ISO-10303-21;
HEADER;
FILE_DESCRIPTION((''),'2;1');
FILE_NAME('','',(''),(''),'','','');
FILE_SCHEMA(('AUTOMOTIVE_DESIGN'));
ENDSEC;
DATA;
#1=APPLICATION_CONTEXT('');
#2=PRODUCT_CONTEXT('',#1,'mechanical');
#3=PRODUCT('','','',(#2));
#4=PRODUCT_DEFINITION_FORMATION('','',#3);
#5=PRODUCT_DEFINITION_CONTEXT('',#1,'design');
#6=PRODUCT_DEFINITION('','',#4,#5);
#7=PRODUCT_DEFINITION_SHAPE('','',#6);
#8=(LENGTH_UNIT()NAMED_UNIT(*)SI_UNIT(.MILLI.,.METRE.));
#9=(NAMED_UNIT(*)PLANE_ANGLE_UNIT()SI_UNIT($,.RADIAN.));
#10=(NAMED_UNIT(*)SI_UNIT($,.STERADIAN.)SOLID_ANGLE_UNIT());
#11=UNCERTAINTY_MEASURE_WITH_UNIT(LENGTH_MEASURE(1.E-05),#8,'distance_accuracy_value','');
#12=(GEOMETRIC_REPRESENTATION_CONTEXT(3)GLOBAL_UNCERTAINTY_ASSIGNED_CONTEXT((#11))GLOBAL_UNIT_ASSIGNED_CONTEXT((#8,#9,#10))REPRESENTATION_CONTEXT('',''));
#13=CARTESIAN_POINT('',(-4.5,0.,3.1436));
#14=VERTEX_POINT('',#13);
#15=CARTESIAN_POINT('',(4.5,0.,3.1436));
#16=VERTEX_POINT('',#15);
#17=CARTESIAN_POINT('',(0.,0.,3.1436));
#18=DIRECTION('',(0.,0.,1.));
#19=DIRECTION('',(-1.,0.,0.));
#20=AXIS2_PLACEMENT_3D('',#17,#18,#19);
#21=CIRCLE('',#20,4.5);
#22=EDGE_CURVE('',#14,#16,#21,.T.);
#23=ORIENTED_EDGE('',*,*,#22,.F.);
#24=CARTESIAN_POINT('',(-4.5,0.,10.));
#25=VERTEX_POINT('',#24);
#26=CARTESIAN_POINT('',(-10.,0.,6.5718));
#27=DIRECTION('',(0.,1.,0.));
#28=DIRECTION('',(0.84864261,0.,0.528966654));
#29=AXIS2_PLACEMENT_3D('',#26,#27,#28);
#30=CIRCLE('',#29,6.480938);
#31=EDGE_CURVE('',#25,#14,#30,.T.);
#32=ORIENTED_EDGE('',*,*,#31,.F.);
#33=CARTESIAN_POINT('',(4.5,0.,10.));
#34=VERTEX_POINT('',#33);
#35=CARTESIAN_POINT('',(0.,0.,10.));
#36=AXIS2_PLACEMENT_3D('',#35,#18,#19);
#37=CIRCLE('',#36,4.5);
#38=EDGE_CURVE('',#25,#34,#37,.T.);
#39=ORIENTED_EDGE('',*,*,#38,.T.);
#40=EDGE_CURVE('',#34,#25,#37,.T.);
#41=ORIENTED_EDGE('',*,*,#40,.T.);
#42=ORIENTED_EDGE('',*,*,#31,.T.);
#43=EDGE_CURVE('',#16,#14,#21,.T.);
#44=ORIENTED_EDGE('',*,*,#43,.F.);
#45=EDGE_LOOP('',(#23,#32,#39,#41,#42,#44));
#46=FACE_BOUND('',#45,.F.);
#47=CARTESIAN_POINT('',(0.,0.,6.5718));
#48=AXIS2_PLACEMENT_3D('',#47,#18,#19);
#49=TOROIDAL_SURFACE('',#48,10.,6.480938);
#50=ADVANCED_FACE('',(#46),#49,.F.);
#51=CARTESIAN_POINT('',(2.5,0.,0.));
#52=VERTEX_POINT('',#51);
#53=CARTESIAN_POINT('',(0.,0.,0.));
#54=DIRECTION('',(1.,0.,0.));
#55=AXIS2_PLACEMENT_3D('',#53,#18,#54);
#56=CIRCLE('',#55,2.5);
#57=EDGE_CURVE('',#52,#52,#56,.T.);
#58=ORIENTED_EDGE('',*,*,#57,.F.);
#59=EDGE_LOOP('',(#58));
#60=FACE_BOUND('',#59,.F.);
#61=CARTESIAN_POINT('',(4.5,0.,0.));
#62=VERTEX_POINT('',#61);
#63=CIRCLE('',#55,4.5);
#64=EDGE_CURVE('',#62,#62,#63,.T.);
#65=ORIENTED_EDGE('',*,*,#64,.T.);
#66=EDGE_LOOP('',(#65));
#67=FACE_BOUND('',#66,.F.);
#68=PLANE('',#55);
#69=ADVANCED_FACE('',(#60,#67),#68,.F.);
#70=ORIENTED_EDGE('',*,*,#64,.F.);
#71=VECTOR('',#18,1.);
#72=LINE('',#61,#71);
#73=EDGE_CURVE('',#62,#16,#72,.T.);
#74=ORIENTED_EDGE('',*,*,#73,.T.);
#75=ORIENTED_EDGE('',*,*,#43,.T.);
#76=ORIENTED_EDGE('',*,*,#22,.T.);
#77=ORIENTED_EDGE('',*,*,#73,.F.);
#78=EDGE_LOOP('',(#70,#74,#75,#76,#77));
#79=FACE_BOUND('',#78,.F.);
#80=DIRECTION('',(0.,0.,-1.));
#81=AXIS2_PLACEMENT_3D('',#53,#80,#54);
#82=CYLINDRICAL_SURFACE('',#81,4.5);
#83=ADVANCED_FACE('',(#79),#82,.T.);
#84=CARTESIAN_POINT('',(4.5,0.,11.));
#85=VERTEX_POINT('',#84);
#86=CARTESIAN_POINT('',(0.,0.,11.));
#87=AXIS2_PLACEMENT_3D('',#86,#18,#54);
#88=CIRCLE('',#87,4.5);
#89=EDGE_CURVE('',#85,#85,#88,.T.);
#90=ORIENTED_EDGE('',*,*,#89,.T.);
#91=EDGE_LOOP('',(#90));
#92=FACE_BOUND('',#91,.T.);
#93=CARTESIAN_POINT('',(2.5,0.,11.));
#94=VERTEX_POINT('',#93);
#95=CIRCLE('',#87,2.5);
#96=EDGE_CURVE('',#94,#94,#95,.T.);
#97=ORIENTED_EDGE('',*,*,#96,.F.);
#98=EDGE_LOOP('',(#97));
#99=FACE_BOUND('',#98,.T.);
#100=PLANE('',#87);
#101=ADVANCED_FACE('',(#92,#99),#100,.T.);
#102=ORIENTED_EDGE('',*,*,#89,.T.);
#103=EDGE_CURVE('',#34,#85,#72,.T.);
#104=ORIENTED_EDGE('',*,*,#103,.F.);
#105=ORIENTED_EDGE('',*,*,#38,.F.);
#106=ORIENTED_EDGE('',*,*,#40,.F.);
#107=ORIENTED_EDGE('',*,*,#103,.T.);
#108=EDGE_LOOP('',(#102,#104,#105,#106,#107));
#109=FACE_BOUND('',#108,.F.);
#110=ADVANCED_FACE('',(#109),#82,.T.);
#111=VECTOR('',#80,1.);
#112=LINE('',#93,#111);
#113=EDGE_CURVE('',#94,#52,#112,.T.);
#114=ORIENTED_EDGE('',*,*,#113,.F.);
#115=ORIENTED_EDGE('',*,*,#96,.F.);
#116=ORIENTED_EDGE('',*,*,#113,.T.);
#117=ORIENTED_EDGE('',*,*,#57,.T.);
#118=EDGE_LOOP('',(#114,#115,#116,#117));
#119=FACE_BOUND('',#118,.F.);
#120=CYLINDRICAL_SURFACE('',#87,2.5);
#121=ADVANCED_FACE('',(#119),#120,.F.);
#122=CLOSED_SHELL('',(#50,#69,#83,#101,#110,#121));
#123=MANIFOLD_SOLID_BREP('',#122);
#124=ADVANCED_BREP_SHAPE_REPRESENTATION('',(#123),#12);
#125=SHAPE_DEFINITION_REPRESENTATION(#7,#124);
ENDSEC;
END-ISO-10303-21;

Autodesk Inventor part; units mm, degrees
ref_plane "YZ Plane" through (0, 0, 0) normal (1, 0, 0) x (0, 1, 0)
ref_plane "XZ Plane" through (0, 0, 0) normal (0, 1, 0) x (-1, 0, 0)
ref_plane "XY Plane" through (0, 0, 0) normal (0, 0, 1) x (1, 0, 0)
sketch "Skizze1" plane through (0, 0, 0) normal (0, 0, 1) x (1, 0, 0)
  circle A0 centre (0, 0) radius 4.5
  dimension "d0" = 9
extrude "Extrusion1" add sketch "Skizze1" along normal blind 11
sketch "Skizze2" plane through (0, 0, 11) normal (0, 0, 1) x (1, 0, 0)
  circle A0 centre (0, 0) radius 2.5
  dimension "d3" = 5
extrude "Extrusion2" cut sketch "Skizze2" against normal blind 11
sketch "Skizze5" plane through (0, 0, 0) normal (0, 1, 0) x (-1, 0, 0)
  line L0 (4.5, 11) -> (-4.5, 11) projected
  line L1 (-4.5, 0) -> (4.5, 0) projected
  line L2 (4.5, 0) -> (4.5, 11) projected
  line L3 (-4.5, 0) -> (-4.5, 11) projected
  arc A0 (4.5, 10) -> (4.5, 3.1436) centre (10, 6.5718) ccw
  line L4 (4.5, 11) -> (-4.5, 11) projected
  line L5 (3.5, 11) -> (3.5, 0)
  line L6 (-4.5, 0) -> (4.5, 0) projected
  line L7 (4.5, 3.1436) -> (4.5, 10)
  line L8 (0, -2.2) -> (0, 13.2) projected
  point P0 (0, 0)
  dimension "d12" = 1
  dimension "d13" = 5.5
revolve "Umdrehung1" cut sketch "Skizze5" angle 360 about axis through (0, 0, -10) along (0, 0, 1) contours L2 A0
properties part number "MK8_Drive_gear" material "Stahl, Kohlenstoff"
